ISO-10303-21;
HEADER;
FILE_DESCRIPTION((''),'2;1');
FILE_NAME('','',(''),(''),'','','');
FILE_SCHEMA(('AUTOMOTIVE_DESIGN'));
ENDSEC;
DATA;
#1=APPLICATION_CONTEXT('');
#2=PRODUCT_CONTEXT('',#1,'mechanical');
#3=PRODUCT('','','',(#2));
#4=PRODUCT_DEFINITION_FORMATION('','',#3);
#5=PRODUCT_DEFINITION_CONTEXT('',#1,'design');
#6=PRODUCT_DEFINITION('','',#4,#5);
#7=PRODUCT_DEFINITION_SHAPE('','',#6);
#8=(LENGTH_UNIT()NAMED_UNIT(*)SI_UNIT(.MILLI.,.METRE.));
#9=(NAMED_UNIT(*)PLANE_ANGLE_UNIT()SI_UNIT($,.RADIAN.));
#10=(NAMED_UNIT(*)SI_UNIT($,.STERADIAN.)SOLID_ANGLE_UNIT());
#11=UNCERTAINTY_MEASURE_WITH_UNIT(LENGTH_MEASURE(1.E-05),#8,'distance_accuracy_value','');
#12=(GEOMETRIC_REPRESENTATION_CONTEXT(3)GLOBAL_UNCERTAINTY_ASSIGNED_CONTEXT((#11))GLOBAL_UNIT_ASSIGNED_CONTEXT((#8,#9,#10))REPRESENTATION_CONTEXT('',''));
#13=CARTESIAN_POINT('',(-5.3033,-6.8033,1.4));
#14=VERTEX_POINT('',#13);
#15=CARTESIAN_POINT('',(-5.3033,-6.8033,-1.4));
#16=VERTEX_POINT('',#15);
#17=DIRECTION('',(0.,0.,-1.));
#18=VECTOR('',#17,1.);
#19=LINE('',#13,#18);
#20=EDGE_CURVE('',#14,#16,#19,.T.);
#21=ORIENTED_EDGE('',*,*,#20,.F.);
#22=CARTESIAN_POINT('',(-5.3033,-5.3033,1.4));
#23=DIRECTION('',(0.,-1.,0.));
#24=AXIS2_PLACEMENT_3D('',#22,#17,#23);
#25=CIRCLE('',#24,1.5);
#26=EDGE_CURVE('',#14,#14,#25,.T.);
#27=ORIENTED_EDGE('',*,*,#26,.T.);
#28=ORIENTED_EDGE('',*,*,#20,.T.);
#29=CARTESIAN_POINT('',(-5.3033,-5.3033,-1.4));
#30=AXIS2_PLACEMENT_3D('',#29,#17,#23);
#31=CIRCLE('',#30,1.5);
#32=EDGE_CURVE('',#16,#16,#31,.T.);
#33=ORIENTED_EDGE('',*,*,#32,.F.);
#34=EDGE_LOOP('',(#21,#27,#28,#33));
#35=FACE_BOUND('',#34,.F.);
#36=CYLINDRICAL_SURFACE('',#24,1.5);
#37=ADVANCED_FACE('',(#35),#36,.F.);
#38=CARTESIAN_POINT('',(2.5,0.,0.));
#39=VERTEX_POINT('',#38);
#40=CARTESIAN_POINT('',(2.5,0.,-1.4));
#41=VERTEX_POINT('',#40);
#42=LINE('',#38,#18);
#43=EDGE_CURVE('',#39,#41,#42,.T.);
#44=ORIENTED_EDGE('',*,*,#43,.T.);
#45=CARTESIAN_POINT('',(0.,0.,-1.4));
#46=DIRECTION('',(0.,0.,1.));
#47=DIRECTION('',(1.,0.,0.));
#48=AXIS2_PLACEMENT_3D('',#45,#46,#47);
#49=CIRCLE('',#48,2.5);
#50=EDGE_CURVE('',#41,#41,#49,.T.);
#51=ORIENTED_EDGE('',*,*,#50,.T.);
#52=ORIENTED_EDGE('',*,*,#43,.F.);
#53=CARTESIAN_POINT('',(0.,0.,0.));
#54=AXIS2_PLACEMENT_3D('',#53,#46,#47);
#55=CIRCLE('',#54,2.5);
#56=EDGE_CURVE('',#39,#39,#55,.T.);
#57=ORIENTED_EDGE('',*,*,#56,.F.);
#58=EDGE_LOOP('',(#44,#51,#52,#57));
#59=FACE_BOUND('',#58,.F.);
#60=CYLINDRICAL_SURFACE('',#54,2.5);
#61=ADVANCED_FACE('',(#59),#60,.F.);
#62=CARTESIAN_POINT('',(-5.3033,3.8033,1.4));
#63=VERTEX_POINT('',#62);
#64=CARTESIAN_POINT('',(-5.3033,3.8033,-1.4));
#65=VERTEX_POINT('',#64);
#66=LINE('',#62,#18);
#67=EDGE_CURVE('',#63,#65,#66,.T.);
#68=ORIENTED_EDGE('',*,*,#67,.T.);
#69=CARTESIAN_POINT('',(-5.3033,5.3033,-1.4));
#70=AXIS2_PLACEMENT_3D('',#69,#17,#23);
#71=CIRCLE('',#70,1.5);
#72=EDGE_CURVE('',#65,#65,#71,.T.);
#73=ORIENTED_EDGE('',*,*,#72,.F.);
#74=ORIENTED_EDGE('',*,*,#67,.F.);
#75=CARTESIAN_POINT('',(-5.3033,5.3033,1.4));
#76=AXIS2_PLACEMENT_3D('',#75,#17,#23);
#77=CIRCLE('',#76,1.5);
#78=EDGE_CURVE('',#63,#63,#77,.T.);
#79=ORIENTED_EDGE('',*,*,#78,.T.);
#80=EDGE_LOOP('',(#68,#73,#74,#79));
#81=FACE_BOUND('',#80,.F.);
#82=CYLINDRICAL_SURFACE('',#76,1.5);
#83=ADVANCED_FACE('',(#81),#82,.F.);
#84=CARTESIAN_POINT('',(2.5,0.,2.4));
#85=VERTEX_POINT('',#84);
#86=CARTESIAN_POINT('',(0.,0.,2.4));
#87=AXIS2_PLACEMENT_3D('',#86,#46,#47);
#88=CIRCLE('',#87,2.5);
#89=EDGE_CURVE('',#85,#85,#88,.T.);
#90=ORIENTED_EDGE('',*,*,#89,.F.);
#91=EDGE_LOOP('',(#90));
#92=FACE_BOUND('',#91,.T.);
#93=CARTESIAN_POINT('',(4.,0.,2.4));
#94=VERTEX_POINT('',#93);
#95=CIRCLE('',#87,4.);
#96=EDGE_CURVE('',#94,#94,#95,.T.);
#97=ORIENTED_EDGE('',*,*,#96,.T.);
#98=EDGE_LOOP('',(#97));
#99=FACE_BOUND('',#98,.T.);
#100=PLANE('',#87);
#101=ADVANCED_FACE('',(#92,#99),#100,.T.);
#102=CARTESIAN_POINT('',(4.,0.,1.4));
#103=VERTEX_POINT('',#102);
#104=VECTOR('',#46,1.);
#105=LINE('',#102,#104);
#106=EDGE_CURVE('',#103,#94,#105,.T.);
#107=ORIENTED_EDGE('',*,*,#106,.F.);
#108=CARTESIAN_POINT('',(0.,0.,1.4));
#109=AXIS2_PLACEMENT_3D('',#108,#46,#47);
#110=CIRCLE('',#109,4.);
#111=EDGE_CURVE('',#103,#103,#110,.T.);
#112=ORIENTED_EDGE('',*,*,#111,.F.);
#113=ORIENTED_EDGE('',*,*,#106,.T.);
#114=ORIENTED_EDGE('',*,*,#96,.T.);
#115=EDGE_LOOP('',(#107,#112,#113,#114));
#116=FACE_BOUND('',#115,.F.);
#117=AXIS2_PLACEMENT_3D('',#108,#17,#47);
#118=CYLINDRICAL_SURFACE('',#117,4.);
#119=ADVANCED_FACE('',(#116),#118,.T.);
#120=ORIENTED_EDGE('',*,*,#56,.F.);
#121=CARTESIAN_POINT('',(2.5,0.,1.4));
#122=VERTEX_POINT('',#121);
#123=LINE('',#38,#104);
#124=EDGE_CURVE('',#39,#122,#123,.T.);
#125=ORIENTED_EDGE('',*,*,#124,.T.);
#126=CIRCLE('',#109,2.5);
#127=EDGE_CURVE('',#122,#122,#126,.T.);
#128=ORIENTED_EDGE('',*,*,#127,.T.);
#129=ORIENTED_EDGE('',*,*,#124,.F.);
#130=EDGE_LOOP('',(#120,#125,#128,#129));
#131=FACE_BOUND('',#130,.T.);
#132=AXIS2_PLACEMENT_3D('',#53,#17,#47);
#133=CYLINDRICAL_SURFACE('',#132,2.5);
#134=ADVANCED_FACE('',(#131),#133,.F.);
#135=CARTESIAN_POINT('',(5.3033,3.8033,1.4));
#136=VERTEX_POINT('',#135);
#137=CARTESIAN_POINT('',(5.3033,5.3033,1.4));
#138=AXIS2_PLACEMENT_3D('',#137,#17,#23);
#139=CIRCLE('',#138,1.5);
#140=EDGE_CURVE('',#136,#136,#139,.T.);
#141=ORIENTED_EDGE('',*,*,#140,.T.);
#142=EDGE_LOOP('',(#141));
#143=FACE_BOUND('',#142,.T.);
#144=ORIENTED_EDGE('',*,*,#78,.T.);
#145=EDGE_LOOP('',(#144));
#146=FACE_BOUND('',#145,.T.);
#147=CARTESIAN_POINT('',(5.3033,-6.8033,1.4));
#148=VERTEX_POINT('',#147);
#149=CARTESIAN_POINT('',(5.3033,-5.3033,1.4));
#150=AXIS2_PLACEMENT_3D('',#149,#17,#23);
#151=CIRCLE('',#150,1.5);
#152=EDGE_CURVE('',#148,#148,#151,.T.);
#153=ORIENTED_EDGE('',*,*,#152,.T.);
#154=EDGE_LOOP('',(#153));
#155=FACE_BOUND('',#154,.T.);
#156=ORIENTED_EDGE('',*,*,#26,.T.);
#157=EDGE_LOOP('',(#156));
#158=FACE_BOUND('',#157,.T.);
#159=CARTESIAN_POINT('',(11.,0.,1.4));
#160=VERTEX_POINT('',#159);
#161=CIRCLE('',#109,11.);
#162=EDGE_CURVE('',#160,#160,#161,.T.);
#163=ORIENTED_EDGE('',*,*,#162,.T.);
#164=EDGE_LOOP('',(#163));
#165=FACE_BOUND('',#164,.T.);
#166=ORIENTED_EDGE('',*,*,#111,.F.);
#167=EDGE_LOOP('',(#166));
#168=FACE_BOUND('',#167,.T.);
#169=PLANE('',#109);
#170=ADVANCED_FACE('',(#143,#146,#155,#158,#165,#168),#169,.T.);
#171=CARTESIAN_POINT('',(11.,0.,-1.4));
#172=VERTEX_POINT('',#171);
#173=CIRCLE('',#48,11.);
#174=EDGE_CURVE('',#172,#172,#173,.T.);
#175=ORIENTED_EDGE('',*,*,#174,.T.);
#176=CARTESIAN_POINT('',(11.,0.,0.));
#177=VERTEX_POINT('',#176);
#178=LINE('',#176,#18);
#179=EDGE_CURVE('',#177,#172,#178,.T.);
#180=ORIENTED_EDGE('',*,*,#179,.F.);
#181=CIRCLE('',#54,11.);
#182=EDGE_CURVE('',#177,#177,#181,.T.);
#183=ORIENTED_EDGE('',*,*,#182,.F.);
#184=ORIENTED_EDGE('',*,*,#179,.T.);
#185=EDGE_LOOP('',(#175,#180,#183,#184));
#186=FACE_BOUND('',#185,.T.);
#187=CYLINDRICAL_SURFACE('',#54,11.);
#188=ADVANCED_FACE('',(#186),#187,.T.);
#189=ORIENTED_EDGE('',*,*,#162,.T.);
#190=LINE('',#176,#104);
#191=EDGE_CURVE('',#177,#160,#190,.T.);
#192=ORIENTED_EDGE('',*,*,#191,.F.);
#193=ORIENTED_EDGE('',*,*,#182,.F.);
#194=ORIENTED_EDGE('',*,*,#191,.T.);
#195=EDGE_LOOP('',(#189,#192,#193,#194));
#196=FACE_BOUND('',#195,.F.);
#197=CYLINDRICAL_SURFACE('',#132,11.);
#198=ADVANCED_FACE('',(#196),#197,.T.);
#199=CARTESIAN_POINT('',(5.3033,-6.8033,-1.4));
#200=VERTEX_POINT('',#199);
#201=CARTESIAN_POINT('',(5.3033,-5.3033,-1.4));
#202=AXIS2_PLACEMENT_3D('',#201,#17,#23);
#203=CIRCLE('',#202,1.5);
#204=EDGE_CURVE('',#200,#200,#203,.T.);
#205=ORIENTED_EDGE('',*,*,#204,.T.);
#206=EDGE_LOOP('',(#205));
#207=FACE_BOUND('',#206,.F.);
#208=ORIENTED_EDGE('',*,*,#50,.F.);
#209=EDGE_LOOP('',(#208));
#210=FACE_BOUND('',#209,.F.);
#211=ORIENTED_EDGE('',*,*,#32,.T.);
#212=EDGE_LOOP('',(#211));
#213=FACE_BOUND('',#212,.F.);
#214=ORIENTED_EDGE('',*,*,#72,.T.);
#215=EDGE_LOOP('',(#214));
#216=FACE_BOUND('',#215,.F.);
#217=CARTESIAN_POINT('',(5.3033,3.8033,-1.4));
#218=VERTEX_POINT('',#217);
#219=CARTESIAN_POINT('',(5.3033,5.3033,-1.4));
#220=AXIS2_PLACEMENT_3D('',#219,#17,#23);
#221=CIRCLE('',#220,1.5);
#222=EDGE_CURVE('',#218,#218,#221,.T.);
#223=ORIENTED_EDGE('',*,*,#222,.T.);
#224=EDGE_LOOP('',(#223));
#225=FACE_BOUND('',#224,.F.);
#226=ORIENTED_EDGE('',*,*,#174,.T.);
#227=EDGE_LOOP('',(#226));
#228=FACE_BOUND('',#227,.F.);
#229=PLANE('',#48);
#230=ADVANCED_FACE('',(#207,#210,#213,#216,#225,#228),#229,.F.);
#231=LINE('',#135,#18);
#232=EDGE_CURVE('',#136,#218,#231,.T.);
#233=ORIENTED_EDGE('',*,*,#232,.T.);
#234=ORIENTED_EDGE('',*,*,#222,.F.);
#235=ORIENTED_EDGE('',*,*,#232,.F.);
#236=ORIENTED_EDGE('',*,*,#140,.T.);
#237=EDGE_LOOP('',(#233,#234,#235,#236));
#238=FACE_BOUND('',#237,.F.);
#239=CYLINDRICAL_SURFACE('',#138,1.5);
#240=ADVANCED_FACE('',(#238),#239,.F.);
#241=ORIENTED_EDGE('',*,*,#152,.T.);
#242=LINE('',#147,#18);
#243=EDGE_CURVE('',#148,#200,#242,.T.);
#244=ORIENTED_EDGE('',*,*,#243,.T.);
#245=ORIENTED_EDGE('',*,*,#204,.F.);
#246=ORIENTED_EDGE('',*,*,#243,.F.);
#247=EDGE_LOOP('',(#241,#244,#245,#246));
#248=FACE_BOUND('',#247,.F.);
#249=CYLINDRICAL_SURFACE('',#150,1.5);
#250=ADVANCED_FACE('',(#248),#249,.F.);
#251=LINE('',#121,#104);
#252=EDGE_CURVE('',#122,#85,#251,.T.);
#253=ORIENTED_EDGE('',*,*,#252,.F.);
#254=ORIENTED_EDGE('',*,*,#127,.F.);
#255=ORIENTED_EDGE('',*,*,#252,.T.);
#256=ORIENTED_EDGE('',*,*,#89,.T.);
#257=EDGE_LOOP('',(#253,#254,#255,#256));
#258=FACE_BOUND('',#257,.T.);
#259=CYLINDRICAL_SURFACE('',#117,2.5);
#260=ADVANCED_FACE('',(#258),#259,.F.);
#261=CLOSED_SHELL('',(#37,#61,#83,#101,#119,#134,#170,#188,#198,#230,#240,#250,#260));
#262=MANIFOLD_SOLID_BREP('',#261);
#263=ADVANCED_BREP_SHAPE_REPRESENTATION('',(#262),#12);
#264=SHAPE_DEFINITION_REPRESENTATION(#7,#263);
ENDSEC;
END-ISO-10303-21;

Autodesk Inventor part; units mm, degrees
ref_plane "YZ Plane" through (0, 0, 0) normal (1, 0, 0) x (0, 1, 0)
ref_plane "XZ Plane" through (0, 0, 0) normal (0, 1, 0) x (-1, 0, 0)
ref_plane "XY Plane" through (0, 0, 0) normal (0, 0, 1) x (1, 0, 0)
sketch "Sketch1" plane through (0, 0, 0) normal (0, 0, 1) x (1, 0, 0)
  circle A0 centre (0, 0) radius 11
  circle A1 centre (0, 0) radius 2.5
  dimension "d0" = 22
  dimension "d1" = 5
extrude "Extrusion1" add sketch "Sketch1" along normal mid plane 2.8
sketch "Sketch2" plane through (0, 0, 1.4) normal (0, 0, 1) x (1, 0, 0)
  circle A0 centre (0, 0) radius 7.5 construction
  point P0 (-5.3033, 5.3033)
  point P1 (5.3033, 5.3033)
  point P2 (-5.3033, -5.3033)
  point P3 (5.3033, -5.3033)
  dimension "d4" = 15
  dimension "d5" = 90
hole "Hole1" at (-5.3033, 5.3033, 1.4) at (5.3033, 5.3033, 1.4) at (-5.3033, -5.3033, 1.4) at (5.3033, -5.3033, 1.4) direction (0, 0, -1) diameter 3 end through all
sketch "Sketch3" plane through (0, 0, 1.4) normal (0, 0, 1) x (1, 0, 0)
  circle A0 centre (0, 0) radius 4
  circle A1 centre (0, 0) radius 2.5 projected
  dimension "d13" = 8
extrude "Extrusion2" add sketch "Sketch3" along normal blind 1
properties part number "shaftmount"
